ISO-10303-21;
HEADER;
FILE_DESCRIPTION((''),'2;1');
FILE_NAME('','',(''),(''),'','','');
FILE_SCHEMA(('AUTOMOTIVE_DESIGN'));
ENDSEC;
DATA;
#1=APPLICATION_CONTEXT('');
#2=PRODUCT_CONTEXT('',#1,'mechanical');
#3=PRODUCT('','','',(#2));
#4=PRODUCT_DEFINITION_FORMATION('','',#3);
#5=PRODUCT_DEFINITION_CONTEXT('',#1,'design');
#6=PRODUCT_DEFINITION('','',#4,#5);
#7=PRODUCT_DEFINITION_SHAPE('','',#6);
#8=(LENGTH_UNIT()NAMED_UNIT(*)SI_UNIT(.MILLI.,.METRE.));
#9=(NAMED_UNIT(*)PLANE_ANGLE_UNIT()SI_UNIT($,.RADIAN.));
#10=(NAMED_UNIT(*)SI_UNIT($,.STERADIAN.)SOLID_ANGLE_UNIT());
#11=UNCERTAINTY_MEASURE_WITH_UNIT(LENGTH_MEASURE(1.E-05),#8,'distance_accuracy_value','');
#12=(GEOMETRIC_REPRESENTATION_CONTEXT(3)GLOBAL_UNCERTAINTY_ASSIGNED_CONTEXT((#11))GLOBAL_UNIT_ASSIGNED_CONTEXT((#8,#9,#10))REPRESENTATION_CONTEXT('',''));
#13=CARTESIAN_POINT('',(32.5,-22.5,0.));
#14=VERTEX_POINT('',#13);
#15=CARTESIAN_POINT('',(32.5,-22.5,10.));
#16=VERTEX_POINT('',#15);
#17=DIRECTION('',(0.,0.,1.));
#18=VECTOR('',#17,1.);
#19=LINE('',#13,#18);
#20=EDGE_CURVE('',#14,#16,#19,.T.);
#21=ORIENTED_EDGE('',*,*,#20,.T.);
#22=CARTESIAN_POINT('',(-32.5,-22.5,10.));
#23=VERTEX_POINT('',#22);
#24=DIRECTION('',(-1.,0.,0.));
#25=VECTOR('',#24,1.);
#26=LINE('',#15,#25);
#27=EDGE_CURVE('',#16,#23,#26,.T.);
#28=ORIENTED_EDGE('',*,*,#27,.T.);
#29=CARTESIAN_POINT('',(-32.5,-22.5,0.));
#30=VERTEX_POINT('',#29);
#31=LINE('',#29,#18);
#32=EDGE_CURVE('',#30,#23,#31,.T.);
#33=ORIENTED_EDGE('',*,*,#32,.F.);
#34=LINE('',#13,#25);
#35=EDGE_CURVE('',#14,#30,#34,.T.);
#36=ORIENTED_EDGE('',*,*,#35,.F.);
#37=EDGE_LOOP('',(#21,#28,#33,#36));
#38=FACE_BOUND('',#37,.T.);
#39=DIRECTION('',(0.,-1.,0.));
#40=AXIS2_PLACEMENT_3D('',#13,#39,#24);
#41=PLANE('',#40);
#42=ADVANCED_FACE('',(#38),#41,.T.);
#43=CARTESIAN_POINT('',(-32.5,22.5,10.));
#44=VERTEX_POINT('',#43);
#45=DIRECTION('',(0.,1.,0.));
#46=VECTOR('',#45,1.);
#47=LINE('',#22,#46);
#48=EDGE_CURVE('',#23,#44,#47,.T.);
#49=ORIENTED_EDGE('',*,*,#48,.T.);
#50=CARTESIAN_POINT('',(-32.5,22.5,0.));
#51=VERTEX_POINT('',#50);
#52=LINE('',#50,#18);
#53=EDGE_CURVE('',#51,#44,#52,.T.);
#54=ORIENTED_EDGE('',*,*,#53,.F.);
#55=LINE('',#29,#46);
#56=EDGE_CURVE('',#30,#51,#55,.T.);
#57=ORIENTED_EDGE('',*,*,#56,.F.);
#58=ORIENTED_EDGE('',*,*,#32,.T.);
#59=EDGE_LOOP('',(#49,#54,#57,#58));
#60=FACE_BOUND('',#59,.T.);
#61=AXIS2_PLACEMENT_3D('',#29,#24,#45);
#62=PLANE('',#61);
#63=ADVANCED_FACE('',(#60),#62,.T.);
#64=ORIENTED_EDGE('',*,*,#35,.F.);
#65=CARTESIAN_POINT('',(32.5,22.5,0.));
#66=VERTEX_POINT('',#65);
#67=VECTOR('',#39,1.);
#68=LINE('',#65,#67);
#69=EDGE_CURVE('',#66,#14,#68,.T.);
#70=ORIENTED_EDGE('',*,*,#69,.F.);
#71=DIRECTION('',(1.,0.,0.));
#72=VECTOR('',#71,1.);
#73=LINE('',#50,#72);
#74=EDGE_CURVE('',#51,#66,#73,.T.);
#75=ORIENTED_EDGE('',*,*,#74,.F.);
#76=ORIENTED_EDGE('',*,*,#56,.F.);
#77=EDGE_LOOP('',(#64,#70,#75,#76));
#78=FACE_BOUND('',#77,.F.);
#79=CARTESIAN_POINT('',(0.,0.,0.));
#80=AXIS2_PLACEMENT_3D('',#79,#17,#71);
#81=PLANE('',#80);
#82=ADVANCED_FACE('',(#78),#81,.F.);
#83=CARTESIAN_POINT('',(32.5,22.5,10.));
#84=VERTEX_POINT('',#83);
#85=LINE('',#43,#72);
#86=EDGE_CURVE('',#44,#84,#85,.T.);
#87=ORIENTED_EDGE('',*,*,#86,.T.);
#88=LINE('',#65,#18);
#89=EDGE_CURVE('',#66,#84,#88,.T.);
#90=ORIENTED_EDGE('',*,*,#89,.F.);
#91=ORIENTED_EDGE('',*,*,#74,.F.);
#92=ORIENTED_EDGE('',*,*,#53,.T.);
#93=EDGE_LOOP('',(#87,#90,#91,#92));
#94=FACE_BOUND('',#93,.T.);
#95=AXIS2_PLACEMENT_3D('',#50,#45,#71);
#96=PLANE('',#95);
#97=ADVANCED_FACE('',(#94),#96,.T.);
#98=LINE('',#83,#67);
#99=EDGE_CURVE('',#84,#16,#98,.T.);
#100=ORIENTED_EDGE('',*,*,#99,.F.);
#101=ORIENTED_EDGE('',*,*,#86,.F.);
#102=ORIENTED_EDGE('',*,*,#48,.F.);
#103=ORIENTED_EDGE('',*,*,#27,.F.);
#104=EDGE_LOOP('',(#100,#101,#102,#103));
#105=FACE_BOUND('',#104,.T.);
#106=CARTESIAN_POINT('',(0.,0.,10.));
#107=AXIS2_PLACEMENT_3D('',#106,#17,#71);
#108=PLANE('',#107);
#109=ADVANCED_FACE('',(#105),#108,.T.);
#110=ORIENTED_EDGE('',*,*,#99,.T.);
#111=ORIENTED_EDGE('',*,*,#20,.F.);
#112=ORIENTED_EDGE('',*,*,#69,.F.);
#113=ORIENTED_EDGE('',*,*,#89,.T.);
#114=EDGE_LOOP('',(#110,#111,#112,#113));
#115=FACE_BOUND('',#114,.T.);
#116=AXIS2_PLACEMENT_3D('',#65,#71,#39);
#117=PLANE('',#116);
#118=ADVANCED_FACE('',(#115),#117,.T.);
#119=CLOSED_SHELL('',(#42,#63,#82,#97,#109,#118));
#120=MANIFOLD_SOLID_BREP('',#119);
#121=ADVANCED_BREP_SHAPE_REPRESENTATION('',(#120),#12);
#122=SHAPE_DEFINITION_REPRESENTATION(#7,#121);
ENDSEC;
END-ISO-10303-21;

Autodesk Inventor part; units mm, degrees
ref_plane "YZ Plane" through (0, 0, 0) normal (1, 0, 0) x (0, 1, 0)
ref_plane "XZ Plane" through (0, 0, 0) normal (0, 1, 0) x (-1, 0, 0)
ref_plane "XY Plane" through (0, 0, 0) normal (0, 0, 1) x (1, 0, 0)
sketch "Sketch1" plane through (0, 0, 0) normal (0, 0, 1) x (1, 0, 0)
  line L0 (32.5, -22.5) -> (-32.5, -22.5)
  line L1 (-32.5, -22.5) -> (-32.5, 22.5)
  line L2 (-32.5, 22.5) -> (32.5, 22.5)
  line L3 (32.5, 22.5) -> (32.5, -22.5)
  line L4 (32.5, -22.5) -> (-32.5, 22.5) construction
  line L5 (-32.5, -22.5) -> (32.5, 22.5) construction
  point P0 (0, 0)
  dimension "d0" = 65
  dimension "d1" = 45
extrude "Extrusion1" add sketch "Sketch1" along normal blind 10
properties part number "roller_support"
